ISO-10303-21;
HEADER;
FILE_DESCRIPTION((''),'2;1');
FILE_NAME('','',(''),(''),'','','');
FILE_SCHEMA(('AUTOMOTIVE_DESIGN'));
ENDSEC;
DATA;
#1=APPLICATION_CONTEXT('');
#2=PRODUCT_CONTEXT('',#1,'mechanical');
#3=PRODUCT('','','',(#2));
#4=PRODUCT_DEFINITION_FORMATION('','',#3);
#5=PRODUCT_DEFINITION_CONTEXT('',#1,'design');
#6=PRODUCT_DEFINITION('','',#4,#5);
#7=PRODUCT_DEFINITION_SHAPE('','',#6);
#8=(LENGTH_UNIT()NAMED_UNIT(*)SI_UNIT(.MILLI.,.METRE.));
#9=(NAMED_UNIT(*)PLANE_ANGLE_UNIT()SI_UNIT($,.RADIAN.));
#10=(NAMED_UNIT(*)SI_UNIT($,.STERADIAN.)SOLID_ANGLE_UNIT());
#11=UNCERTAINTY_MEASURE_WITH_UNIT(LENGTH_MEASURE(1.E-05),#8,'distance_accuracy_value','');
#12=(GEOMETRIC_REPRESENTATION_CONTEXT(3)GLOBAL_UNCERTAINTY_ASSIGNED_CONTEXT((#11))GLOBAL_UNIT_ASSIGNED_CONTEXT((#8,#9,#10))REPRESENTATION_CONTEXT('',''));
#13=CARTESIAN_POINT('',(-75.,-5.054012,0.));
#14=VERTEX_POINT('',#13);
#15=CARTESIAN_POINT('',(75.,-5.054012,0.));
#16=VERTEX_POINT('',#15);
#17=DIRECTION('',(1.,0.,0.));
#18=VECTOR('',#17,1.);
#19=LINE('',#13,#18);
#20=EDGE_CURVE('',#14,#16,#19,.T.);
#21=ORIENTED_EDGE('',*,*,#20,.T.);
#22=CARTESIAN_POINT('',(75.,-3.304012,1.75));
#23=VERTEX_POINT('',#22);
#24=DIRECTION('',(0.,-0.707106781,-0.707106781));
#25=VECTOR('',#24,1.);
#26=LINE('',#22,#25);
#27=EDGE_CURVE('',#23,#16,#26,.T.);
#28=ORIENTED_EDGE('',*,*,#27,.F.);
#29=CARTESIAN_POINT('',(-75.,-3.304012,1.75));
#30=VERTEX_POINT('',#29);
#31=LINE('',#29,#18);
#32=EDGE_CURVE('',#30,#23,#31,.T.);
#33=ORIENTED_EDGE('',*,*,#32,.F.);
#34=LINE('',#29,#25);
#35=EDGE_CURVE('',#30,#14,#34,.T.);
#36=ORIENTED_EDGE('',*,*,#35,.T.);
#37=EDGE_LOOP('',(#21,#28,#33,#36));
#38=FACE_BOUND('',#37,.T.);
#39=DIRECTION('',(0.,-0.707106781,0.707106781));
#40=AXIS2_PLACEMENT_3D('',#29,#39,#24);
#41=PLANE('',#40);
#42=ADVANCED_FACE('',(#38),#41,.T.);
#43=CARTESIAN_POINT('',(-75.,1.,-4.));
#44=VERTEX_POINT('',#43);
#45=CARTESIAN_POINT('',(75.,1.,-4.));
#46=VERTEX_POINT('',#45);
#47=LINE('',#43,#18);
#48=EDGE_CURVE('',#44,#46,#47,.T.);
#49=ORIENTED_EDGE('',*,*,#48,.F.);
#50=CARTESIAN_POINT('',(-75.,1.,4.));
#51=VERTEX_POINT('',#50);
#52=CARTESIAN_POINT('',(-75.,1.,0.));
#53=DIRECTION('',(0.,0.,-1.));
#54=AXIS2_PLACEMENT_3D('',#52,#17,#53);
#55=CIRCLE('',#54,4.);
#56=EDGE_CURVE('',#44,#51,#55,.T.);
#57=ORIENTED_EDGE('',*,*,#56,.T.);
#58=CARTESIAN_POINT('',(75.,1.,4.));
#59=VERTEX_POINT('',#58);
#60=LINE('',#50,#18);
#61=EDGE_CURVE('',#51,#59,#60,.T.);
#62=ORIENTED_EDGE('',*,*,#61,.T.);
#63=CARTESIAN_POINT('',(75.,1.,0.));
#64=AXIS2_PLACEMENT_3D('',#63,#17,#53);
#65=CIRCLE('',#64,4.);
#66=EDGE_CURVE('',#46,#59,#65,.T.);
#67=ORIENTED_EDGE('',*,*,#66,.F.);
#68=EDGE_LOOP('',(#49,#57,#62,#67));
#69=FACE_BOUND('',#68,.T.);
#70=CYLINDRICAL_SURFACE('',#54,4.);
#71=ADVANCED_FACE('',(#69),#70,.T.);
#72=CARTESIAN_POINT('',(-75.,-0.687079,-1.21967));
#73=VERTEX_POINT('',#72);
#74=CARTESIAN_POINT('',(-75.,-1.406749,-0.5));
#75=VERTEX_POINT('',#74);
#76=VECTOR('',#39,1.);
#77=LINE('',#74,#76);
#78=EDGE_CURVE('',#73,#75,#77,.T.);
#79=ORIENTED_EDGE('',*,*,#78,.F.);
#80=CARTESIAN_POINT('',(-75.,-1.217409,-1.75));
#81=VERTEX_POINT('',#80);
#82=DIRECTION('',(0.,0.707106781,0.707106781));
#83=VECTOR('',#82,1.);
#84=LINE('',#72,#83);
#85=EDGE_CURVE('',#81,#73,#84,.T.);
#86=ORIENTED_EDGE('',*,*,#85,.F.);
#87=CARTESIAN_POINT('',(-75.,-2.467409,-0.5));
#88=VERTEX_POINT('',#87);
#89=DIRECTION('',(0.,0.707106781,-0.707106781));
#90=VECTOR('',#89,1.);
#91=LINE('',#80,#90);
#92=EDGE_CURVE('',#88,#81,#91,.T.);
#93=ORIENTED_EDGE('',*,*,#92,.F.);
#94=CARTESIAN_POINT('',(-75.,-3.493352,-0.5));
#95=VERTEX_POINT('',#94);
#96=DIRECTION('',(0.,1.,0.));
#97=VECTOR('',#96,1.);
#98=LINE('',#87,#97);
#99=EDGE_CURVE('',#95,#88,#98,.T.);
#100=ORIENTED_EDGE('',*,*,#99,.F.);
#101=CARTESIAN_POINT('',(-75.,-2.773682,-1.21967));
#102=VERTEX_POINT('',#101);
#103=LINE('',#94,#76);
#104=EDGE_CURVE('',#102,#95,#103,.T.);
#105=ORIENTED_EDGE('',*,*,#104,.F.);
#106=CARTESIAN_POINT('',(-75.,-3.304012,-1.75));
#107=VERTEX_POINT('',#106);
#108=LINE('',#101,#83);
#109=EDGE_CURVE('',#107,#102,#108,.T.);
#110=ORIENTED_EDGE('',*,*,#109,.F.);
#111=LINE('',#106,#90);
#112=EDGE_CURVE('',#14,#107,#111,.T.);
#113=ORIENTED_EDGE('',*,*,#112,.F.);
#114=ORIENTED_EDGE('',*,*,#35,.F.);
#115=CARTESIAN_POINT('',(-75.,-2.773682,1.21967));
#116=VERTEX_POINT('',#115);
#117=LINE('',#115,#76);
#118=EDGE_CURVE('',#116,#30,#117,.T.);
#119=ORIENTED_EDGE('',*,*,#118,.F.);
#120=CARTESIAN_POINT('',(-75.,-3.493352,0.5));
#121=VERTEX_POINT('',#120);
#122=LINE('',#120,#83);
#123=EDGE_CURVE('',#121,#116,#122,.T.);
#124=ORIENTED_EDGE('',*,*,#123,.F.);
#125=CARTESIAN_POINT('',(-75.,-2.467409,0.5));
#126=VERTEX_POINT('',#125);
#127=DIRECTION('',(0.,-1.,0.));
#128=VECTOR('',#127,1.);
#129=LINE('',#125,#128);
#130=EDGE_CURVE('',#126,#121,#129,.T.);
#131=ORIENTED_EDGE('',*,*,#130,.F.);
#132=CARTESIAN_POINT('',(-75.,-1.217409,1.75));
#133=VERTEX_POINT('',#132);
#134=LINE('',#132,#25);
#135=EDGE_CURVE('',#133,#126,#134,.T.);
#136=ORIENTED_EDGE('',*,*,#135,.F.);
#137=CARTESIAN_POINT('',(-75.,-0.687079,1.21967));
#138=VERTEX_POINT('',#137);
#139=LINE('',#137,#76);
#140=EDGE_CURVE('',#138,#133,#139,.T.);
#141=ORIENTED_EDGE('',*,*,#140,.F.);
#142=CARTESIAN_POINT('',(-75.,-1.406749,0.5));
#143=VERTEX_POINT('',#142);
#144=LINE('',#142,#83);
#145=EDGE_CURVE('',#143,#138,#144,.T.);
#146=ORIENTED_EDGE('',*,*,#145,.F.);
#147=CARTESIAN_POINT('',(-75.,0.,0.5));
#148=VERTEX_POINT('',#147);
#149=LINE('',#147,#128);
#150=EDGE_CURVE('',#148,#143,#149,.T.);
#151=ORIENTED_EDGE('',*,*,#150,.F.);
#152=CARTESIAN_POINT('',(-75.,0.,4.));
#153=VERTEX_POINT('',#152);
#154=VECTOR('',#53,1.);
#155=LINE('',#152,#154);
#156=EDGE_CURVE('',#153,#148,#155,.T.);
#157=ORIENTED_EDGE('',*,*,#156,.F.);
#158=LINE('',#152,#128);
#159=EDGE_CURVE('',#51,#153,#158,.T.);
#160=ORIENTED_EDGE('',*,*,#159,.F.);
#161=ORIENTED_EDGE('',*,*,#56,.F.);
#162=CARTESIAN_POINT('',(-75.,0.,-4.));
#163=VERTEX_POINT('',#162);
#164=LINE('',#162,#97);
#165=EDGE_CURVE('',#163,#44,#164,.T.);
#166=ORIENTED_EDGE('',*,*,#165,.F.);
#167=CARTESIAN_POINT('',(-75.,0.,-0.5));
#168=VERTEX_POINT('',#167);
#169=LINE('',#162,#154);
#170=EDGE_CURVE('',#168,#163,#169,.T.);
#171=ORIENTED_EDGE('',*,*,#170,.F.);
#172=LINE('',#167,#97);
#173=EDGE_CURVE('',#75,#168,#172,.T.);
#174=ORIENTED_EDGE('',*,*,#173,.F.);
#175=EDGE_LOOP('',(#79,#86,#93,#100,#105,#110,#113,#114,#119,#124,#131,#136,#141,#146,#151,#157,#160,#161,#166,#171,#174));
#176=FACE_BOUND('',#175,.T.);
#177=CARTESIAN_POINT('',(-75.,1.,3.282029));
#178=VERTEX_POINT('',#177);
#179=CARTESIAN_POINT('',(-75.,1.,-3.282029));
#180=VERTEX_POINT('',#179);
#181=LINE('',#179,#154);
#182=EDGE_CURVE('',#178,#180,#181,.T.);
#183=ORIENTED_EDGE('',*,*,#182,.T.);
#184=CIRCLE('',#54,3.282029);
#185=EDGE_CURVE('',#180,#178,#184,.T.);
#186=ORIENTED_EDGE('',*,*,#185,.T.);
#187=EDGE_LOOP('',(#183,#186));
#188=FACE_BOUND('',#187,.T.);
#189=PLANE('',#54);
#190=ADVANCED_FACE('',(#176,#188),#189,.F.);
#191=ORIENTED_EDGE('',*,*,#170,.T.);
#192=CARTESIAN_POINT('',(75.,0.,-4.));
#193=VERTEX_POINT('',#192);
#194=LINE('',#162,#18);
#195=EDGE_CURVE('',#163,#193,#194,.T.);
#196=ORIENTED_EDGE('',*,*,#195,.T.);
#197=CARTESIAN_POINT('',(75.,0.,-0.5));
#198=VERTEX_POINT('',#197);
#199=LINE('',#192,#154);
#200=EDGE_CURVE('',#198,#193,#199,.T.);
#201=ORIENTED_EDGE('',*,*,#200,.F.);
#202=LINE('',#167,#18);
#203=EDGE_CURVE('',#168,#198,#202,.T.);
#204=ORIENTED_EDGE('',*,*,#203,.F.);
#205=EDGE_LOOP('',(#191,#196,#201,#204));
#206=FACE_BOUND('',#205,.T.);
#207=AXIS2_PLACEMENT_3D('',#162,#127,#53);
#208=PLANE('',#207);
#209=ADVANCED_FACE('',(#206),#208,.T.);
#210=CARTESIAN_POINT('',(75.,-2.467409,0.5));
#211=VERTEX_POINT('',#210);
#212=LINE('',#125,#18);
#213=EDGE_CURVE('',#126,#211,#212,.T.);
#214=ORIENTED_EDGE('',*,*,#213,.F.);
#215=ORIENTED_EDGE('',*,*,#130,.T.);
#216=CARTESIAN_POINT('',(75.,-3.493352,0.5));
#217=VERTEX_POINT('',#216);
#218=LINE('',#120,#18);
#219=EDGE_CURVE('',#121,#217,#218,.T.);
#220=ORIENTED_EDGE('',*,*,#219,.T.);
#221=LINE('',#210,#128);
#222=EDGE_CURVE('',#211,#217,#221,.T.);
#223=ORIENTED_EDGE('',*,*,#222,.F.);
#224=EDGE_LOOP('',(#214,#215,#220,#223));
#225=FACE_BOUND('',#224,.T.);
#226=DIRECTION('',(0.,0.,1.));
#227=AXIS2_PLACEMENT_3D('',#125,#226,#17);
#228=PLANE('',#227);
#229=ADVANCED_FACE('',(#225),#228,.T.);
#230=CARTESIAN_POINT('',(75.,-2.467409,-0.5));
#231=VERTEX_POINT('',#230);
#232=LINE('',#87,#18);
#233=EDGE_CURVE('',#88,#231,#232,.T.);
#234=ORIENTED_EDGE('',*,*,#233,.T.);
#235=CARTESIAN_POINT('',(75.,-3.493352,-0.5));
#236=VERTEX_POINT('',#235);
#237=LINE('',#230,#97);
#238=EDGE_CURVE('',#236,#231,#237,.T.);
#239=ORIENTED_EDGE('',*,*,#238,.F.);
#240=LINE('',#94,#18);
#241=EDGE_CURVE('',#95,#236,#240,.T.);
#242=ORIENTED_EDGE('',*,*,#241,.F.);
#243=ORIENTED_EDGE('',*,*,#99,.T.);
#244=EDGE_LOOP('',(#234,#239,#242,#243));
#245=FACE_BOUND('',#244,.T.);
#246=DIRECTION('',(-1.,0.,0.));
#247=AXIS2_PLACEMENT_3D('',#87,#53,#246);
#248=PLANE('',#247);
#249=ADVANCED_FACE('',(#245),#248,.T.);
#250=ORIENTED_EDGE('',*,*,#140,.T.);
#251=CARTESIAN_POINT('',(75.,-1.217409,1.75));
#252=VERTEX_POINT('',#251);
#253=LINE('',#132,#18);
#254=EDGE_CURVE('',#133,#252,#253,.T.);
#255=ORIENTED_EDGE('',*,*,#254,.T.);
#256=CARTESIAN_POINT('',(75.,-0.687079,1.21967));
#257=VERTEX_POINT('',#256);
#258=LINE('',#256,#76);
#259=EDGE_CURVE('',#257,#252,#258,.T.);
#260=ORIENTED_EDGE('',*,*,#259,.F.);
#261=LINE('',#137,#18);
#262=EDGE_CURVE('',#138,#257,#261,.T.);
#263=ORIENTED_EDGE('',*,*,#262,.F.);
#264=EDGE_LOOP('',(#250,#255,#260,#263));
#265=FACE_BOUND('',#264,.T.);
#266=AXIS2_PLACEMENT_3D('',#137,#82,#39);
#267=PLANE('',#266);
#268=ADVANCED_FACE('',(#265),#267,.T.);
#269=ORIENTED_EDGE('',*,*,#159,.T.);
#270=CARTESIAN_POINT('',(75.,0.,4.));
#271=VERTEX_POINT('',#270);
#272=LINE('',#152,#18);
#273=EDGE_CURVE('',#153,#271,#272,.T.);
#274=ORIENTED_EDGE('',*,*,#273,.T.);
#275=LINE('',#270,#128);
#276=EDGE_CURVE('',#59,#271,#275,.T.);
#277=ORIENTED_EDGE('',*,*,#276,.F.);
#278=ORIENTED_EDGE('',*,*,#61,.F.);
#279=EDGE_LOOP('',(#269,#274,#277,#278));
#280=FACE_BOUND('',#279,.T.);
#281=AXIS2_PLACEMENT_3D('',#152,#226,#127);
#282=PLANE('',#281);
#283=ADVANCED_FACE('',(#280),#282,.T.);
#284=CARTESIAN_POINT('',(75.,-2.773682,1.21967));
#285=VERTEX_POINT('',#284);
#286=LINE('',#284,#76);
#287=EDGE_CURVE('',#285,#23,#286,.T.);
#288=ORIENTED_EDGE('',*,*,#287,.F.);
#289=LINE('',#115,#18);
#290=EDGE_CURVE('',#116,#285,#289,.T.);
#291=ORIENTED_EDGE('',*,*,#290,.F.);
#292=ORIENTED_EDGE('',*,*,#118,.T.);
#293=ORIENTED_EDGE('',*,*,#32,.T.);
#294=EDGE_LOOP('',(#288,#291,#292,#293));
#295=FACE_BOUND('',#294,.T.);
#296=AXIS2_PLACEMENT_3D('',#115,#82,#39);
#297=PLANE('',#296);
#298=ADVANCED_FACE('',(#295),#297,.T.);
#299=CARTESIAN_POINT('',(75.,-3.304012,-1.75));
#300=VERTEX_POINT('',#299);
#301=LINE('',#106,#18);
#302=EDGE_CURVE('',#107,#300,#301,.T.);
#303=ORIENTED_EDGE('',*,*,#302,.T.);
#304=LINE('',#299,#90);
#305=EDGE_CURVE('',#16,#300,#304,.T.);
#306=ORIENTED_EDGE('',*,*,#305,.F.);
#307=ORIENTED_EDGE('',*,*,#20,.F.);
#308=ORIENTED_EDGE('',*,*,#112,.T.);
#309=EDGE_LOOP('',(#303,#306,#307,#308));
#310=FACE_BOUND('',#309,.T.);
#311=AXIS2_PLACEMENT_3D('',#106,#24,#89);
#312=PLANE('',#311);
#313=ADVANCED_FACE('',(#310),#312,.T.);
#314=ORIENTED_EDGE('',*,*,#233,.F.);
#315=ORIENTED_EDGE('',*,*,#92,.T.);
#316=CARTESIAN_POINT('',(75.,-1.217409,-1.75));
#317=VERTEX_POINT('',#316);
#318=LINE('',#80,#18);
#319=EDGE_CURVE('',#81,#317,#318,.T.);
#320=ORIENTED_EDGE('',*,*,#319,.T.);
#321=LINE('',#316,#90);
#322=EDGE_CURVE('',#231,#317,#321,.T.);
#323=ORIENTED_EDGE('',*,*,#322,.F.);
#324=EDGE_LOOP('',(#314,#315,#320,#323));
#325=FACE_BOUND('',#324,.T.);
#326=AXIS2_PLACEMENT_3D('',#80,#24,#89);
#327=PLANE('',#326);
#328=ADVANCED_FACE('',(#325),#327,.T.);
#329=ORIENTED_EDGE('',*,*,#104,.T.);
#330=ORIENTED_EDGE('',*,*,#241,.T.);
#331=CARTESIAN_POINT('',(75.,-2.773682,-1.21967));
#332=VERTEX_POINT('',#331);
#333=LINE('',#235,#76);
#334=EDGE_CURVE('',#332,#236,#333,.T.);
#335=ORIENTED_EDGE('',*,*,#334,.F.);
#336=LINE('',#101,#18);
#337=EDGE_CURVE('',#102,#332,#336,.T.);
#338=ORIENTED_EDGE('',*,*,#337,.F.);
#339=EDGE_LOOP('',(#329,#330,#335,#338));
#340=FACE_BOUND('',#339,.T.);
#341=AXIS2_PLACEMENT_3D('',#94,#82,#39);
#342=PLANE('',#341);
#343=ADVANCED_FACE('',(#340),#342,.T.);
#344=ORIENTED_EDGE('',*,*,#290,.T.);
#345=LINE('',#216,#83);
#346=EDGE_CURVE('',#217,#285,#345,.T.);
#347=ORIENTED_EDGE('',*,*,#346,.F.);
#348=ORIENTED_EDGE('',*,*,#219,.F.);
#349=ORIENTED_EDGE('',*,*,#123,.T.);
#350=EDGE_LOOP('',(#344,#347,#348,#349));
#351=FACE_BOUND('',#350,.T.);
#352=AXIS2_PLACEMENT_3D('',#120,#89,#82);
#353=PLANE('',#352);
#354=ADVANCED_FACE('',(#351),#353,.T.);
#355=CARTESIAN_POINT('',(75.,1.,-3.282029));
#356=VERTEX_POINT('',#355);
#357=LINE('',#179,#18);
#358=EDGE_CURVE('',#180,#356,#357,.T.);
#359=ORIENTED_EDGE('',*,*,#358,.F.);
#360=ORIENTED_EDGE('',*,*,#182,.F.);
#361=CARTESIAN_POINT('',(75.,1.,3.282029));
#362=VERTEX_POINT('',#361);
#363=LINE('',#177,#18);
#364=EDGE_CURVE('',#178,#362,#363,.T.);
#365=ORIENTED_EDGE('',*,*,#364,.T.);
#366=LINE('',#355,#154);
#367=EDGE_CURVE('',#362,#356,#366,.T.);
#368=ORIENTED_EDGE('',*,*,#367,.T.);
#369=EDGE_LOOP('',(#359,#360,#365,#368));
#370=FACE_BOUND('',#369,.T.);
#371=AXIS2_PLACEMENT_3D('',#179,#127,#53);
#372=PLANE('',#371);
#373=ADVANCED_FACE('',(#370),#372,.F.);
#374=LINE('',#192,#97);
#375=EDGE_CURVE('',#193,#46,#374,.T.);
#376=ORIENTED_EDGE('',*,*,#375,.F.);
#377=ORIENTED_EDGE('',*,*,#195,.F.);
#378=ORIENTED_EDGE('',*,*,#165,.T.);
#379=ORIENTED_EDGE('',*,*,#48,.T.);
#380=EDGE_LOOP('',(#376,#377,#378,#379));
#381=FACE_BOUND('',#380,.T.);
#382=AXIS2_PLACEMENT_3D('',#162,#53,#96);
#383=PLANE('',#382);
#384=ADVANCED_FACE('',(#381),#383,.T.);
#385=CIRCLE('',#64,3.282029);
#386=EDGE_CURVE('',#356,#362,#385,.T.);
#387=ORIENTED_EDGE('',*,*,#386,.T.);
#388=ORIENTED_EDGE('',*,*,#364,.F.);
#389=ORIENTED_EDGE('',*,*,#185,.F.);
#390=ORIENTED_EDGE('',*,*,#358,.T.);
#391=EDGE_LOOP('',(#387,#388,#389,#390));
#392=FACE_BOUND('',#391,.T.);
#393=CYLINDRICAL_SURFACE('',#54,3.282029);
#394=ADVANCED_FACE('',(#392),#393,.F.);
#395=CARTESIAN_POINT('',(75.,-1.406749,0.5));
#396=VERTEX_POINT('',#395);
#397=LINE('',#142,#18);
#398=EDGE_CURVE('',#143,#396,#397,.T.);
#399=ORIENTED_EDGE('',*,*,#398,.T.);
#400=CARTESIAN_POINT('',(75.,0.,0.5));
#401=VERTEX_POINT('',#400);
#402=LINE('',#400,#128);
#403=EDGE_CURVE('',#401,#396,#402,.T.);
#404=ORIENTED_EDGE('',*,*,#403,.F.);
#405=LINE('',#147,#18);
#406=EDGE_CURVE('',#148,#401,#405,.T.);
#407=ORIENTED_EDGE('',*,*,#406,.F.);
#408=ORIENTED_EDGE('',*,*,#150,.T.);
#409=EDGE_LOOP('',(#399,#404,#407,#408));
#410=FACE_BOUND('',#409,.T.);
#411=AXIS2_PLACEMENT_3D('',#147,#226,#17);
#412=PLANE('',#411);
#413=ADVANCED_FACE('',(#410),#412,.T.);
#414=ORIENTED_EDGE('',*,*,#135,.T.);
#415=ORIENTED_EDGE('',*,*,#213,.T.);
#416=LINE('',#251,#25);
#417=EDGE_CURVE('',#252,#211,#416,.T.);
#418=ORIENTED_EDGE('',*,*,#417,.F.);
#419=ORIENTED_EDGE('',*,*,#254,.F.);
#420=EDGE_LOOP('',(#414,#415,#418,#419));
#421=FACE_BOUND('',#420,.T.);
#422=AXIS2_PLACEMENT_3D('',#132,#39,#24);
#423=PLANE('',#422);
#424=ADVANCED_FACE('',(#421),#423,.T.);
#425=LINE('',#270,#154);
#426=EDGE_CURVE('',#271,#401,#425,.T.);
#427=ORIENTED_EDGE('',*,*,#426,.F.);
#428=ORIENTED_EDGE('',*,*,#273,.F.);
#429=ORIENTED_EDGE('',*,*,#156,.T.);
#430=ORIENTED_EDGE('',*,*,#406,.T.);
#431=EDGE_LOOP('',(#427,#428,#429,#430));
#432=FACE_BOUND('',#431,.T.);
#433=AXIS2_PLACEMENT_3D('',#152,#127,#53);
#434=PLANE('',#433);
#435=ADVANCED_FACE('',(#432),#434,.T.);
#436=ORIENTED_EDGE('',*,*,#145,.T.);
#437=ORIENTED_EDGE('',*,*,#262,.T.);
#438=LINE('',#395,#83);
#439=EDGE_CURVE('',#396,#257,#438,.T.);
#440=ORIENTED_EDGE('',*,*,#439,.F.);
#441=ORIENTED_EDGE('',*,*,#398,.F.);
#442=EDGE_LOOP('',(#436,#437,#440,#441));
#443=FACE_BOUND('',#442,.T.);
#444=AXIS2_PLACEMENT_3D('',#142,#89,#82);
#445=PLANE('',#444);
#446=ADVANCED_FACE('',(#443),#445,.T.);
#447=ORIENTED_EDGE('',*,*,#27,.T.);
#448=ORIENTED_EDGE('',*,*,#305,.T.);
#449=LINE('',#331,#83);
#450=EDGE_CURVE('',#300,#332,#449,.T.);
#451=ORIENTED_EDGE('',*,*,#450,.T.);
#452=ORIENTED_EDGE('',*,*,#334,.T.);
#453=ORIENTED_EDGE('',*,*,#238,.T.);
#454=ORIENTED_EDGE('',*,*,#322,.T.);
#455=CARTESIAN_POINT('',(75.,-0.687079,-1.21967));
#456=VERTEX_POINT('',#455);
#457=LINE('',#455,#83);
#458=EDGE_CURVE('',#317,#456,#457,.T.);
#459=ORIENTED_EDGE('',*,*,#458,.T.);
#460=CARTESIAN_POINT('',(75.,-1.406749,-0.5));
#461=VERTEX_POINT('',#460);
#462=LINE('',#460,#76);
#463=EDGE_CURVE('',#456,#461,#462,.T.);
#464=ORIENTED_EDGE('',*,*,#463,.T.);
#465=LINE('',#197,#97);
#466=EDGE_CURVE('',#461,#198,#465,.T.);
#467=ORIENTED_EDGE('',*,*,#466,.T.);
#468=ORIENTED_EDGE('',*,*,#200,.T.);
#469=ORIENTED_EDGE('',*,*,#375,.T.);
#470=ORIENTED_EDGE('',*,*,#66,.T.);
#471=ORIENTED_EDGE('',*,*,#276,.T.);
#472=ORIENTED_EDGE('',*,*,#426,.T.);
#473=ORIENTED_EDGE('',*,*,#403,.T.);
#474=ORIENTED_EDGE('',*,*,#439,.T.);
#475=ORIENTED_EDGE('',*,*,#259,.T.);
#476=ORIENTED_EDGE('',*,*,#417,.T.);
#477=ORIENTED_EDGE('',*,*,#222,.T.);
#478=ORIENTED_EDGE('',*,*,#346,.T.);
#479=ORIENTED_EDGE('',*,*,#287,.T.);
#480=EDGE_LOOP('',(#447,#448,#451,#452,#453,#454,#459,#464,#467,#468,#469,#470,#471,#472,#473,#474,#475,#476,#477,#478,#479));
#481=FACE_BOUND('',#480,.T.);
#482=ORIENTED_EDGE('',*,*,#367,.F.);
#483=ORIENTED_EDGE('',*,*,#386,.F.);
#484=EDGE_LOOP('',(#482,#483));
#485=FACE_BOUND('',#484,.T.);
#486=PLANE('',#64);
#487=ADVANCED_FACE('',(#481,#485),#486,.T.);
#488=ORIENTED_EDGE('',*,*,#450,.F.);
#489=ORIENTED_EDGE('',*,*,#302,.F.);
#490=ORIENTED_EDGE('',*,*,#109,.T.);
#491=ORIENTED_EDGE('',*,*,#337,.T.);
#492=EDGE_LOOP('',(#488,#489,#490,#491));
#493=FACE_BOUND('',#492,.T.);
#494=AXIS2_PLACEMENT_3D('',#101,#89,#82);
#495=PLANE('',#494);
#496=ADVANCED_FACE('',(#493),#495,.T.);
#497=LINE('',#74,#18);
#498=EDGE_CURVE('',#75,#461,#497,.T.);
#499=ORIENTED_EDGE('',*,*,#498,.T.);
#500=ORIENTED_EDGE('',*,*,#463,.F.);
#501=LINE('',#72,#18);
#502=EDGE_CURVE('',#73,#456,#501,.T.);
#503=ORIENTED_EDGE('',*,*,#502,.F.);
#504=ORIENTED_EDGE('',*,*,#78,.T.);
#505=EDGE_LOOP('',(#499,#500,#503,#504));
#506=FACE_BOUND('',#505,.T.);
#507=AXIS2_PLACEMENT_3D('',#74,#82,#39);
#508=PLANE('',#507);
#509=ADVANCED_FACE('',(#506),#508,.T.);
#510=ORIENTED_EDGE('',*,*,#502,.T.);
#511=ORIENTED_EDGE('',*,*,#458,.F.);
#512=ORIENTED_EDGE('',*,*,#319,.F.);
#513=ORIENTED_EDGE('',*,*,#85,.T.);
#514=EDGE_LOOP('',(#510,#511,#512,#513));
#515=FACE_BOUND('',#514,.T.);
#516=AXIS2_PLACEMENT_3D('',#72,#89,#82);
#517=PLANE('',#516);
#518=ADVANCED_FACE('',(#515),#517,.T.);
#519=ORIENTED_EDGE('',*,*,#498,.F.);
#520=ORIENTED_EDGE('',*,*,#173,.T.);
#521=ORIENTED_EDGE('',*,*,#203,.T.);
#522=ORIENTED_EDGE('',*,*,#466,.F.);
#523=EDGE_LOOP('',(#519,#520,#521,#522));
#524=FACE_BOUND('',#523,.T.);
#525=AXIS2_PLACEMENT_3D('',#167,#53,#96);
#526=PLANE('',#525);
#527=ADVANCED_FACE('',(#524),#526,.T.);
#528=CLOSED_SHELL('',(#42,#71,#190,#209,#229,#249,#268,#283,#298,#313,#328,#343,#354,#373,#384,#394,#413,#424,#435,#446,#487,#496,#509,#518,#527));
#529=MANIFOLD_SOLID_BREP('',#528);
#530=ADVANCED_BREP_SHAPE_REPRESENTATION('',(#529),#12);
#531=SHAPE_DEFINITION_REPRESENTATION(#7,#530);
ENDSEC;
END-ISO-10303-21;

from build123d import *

# Parameters (mm, degrees)
EXTRUDE_2_DEPTH      = 75
EXTRUDE_2_DEPTH_BACK = 75


with BuildPart() as part:
    # 草图1<2> → 凸台-拉伸2 (new, two sides: drawn at the far end of the back side and taken through both)
    with BuildSketch(Plane(origin=(0, 0, 0), x_dir=(0, 0, -1), z_dir=(1, 0, 0)).offset(-EXTRUDE_2_DEPTH_BACK)):
        with BuildLine():
            Line((-4, 0), (-0.5, 0))
            Line((-0.5, 0), (-0.5, -1.406748669))
            Line((-0.5, -1.406748669), (-1.219669914, -0.687078754))
            Line((-1.219669914, -0.687078754), (-1.75, -1.21740884))
            Line((-1.75, -1.21740884), (-0.5, -2.46740884))
            Line((-0.5, -2.46740884), (-0.5, -3.49335212))
            Line((-0.5, -3.49335212), (-1.219669914, -2.773682206))
            Line((-1.219669914, -2.773682206), (-1.75, -3.304012292))
            Line((-1.75, -3.304012292), (0, -5.054012292))
            Line((0, -5.054012292), (1.75, -3.304012292))
            Line((1.75, -3.304012292), (1.219669914, -2.773682206))
            Line((1.219669914, -2.773682206), (0.5, -3.49335212))
            Line((0.5, -3.49335212), (0.5, -2.46740884))
            Line((0.5, -2.46740884), (1.75, -1.21740884))
            Line((1.75, -1.21740884), (1.219669914, -0.687078754))
            Line((1.219669914, -0.687078754), (0.5, -1.406748669))
            Line((0.5, -1.406748669), (0.5, 0))
            Line((0.5, 0), (4, 0))
            Line((4, 0), (4, 1))
            ThreePointArc((4, 1), (0, 5), (-4, 1))
            Line((-4, 1), (-4, 0))
        make_face()
        with BuildLine():
            Line((3.282029094, 1), (-3.282029094, 1))
            ThreePointArc((-3.282029094, 1), (0, 4.282029094), (3.282029094, 1))
        make_face(mode=Mode.SUBTRACT)
    extrude(amount=EXTRUDE_2_DEPTH + EXTRUDE_2_DEPTH_BACK)


solid = part.part
